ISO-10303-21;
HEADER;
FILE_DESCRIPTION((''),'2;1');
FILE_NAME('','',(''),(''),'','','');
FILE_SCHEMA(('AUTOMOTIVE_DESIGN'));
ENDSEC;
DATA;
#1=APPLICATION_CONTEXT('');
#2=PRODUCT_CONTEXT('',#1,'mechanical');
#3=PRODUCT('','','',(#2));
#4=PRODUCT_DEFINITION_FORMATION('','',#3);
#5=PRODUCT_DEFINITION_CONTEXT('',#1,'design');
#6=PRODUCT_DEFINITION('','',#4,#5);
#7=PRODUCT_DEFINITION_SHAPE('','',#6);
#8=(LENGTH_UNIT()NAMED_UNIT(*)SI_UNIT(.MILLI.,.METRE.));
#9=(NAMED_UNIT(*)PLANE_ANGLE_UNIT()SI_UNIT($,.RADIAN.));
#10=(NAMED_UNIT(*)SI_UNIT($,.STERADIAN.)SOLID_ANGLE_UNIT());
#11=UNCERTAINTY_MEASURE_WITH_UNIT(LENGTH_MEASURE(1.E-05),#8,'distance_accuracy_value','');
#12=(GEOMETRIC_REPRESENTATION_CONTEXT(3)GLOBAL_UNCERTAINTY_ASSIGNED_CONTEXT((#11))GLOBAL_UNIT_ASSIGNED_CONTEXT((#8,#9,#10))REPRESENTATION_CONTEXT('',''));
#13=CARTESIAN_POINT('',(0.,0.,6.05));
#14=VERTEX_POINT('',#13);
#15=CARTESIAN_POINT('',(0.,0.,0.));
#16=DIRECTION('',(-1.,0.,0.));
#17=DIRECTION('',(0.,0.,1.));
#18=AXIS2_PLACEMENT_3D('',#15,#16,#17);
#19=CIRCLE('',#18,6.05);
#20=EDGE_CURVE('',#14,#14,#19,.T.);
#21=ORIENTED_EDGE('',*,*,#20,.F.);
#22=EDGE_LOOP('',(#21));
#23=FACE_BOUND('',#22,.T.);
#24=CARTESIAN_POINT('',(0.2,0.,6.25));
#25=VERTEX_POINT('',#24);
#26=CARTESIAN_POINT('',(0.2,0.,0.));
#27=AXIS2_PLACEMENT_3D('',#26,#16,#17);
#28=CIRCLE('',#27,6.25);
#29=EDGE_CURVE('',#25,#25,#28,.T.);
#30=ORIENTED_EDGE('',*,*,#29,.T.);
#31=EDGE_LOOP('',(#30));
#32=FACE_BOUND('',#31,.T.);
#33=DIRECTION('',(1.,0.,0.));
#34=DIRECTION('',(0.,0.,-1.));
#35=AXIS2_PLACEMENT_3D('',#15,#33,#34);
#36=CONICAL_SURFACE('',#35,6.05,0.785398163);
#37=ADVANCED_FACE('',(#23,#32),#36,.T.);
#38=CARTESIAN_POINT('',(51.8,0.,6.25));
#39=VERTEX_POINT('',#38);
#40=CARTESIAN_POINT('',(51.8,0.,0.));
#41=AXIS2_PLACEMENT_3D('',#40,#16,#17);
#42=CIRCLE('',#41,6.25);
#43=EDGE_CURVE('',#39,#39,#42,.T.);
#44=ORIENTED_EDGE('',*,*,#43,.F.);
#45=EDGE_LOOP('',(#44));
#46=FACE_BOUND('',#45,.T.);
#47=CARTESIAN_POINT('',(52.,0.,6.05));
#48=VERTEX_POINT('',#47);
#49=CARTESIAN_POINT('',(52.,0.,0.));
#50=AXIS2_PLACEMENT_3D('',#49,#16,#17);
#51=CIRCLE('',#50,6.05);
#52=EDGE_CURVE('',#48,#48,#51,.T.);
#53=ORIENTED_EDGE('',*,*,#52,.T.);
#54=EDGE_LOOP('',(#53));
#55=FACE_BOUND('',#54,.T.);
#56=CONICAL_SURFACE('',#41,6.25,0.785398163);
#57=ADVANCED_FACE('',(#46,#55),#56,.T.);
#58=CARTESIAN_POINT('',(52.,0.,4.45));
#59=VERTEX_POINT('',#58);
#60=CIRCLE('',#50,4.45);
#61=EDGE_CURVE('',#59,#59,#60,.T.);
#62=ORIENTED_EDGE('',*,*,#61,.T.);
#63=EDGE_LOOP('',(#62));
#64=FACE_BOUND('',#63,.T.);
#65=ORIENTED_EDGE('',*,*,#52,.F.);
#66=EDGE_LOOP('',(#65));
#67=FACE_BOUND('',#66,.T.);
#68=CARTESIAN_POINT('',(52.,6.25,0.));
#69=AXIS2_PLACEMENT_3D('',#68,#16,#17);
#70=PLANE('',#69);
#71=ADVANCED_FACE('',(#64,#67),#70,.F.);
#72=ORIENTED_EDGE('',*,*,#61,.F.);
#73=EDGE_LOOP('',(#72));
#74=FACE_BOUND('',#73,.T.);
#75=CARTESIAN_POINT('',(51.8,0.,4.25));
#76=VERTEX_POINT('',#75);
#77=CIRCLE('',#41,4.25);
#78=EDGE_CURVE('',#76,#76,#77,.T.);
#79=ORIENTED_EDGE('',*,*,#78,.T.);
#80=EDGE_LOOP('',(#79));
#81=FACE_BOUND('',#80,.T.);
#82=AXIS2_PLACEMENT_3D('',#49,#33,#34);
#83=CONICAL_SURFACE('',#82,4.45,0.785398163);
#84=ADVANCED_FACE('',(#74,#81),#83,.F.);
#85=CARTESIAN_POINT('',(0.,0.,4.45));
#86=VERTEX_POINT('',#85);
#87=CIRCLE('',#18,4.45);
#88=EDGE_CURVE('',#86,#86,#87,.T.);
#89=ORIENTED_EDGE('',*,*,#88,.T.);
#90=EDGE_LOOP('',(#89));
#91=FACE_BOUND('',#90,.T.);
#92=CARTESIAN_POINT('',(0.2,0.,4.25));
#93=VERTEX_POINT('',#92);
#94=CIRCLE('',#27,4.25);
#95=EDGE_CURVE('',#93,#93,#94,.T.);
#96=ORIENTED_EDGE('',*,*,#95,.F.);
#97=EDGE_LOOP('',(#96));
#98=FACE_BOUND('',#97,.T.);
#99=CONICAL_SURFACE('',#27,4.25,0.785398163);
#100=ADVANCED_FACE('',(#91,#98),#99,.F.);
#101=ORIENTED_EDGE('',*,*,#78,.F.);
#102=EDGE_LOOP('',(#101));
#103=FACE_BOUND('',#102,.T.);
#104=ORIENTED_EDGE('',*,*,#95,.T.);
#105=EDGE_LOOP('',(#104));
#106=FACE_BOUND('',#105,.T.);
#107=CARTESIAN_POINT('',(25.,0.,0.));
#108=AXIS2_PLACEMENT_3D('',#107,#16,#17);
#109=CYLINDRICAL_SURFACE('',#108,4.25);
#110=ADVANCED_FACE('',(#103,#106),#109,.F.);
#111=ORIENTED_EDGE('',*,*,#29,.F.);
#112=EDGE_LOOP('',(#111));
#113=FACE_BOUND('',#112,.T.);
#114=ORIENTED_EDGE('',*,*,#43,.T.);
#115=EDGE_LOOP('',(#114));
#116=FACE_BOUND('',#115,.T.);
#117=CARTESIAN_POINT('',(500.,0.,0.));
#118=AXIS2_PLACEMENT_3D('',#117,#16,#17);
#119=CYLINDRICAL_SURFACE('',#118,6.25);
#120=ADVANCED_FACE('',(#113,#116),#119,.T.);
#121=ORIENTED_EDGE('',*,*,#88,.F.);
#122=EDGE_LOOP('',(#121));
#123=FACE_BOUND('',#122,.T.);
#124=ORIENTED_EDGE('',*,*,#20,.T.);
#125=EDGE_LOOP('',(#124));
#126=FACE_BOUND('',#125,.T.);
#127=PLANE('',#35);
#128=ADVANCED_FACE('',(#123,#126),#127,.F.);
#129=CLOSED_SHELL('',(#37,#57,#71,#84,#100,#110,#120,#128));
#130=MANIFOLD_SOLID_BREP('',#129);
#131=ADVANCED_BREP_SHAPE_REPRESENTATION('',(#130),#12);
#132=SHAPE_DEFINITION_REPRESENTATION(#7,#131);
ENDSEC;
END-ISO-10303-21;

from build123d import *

# Parameters (mm, degrees)
SKETCH_1_W = 52
SKETCH_1_H = 6.25
SKETCH_4_W = 52
SKETCH_4_H = 4.25


with BuildPart() as part:
    # ｽｹｯﾁ1 → 回転1 (revolve)
    with BuildSketch(Plane.XY, mode=Mode.PRIVATE) as revolve_1_sk:
        with Locations((26, 3.125)):
            Rectangle(SKETCH_1_W, SKETCH_1_H)
    revolve(revolve_1_sk.sketch.rotate(Axis((500, 0, 0), (-1, 0, 0)), 270), axis=Axis((500, 0, 0), (-1, 0, 0)))

    # ｽｹｯﾁ2 → ｶｯﾄ - 回転1 (revolve, cut)
    with BuildSketch(Plane.XY, mode=Mode.PRIVATE) as cut_revolve_1_sk:
        Polygon((51.8, 6.25), (52, 6.05), (52, 6.25), align=None)
    revolve(cut_revolve_1_sk.sketch.rotate(Axis((104, 0, 0), (-1, 0, 0)), 270), axis=Axis((104, 0, 0), (-1, 0, 0)), mode=Mode.SUBTRACT)

    # ｽｹｯﾁ3 → ｶｯﾄ - 回転2 (revolve, cut)
    with BuildSketch(Plane.XY, mode=Mode.PRIVATE) as cut_revolve_2_sk:
        Polygon((0, 6.25), (0, 6.05), (0.2, 6.25), align=None)
    revolve(cut_revolve_2_sk.sketch.rotate(Axis((104, 0, 0), (-1, 0, 0)), 270), axis=Axis((104, 0, 0), (-1, 0, 0)), mode=Mode.SUBTRACT)

    # ｽｹｯﾁ4 → ｶｯﾄ - 回転3 (revolve, cut)
    with BuildSketch(Plane.XY, mode=Mode.PRIVATE) as cut_revolve_3_sk:
        with Locations((26, 2.125)):
            Rectangle(SKETCH_4_W, SKETCH_4_H)
    revolve(cut_revolve_3_sk.sketch.rotate(Axis((25, 0, 0), (-1, 0, 0)), 270), axis=Axis((25, 0, 0), (-1, 0, 0)), mode=Mode.SUBTRACT)

    # ｽｹｯﾁ5 → ｶｯﾄ - 回転4 (revolve, cut)
    with BuildSketch(Plane.XY, mode=Mode.PRIVATE) as cut_revolve_4_sk:
        Polygon((0, 4.45), (0, 4.25), (0.2, 4.25), align=None)
    revolve(cut_revolve_4_sk.sketch.rotate(Axis((25, 0, 0), (-1, 0, 0)), 270), axis=Axis((25, 0, 0), (-1, 0, 0)), mode=Mode.SUBTRACT)

    # ｽｹｯﾁ6 → ｶｯﾄ - 回転5 (revolve, cut)
    with BuildSketch(Plane.XY, mode=Mode.PRIVATE) as cut_revolve_5_sk:
        Polygon((51.8, 4.25), (52, 4.25), (52, 4.45), align=None)
    revolve(cut_revolve_5_sk.sketch.rotate(Axis((25, 0, 0), (-1, 0, 0)), 270), axis=Axis((25, 0, 0), (-1, 0, 0)), mode=Mode.SUBTRACT)


solid = part.part
